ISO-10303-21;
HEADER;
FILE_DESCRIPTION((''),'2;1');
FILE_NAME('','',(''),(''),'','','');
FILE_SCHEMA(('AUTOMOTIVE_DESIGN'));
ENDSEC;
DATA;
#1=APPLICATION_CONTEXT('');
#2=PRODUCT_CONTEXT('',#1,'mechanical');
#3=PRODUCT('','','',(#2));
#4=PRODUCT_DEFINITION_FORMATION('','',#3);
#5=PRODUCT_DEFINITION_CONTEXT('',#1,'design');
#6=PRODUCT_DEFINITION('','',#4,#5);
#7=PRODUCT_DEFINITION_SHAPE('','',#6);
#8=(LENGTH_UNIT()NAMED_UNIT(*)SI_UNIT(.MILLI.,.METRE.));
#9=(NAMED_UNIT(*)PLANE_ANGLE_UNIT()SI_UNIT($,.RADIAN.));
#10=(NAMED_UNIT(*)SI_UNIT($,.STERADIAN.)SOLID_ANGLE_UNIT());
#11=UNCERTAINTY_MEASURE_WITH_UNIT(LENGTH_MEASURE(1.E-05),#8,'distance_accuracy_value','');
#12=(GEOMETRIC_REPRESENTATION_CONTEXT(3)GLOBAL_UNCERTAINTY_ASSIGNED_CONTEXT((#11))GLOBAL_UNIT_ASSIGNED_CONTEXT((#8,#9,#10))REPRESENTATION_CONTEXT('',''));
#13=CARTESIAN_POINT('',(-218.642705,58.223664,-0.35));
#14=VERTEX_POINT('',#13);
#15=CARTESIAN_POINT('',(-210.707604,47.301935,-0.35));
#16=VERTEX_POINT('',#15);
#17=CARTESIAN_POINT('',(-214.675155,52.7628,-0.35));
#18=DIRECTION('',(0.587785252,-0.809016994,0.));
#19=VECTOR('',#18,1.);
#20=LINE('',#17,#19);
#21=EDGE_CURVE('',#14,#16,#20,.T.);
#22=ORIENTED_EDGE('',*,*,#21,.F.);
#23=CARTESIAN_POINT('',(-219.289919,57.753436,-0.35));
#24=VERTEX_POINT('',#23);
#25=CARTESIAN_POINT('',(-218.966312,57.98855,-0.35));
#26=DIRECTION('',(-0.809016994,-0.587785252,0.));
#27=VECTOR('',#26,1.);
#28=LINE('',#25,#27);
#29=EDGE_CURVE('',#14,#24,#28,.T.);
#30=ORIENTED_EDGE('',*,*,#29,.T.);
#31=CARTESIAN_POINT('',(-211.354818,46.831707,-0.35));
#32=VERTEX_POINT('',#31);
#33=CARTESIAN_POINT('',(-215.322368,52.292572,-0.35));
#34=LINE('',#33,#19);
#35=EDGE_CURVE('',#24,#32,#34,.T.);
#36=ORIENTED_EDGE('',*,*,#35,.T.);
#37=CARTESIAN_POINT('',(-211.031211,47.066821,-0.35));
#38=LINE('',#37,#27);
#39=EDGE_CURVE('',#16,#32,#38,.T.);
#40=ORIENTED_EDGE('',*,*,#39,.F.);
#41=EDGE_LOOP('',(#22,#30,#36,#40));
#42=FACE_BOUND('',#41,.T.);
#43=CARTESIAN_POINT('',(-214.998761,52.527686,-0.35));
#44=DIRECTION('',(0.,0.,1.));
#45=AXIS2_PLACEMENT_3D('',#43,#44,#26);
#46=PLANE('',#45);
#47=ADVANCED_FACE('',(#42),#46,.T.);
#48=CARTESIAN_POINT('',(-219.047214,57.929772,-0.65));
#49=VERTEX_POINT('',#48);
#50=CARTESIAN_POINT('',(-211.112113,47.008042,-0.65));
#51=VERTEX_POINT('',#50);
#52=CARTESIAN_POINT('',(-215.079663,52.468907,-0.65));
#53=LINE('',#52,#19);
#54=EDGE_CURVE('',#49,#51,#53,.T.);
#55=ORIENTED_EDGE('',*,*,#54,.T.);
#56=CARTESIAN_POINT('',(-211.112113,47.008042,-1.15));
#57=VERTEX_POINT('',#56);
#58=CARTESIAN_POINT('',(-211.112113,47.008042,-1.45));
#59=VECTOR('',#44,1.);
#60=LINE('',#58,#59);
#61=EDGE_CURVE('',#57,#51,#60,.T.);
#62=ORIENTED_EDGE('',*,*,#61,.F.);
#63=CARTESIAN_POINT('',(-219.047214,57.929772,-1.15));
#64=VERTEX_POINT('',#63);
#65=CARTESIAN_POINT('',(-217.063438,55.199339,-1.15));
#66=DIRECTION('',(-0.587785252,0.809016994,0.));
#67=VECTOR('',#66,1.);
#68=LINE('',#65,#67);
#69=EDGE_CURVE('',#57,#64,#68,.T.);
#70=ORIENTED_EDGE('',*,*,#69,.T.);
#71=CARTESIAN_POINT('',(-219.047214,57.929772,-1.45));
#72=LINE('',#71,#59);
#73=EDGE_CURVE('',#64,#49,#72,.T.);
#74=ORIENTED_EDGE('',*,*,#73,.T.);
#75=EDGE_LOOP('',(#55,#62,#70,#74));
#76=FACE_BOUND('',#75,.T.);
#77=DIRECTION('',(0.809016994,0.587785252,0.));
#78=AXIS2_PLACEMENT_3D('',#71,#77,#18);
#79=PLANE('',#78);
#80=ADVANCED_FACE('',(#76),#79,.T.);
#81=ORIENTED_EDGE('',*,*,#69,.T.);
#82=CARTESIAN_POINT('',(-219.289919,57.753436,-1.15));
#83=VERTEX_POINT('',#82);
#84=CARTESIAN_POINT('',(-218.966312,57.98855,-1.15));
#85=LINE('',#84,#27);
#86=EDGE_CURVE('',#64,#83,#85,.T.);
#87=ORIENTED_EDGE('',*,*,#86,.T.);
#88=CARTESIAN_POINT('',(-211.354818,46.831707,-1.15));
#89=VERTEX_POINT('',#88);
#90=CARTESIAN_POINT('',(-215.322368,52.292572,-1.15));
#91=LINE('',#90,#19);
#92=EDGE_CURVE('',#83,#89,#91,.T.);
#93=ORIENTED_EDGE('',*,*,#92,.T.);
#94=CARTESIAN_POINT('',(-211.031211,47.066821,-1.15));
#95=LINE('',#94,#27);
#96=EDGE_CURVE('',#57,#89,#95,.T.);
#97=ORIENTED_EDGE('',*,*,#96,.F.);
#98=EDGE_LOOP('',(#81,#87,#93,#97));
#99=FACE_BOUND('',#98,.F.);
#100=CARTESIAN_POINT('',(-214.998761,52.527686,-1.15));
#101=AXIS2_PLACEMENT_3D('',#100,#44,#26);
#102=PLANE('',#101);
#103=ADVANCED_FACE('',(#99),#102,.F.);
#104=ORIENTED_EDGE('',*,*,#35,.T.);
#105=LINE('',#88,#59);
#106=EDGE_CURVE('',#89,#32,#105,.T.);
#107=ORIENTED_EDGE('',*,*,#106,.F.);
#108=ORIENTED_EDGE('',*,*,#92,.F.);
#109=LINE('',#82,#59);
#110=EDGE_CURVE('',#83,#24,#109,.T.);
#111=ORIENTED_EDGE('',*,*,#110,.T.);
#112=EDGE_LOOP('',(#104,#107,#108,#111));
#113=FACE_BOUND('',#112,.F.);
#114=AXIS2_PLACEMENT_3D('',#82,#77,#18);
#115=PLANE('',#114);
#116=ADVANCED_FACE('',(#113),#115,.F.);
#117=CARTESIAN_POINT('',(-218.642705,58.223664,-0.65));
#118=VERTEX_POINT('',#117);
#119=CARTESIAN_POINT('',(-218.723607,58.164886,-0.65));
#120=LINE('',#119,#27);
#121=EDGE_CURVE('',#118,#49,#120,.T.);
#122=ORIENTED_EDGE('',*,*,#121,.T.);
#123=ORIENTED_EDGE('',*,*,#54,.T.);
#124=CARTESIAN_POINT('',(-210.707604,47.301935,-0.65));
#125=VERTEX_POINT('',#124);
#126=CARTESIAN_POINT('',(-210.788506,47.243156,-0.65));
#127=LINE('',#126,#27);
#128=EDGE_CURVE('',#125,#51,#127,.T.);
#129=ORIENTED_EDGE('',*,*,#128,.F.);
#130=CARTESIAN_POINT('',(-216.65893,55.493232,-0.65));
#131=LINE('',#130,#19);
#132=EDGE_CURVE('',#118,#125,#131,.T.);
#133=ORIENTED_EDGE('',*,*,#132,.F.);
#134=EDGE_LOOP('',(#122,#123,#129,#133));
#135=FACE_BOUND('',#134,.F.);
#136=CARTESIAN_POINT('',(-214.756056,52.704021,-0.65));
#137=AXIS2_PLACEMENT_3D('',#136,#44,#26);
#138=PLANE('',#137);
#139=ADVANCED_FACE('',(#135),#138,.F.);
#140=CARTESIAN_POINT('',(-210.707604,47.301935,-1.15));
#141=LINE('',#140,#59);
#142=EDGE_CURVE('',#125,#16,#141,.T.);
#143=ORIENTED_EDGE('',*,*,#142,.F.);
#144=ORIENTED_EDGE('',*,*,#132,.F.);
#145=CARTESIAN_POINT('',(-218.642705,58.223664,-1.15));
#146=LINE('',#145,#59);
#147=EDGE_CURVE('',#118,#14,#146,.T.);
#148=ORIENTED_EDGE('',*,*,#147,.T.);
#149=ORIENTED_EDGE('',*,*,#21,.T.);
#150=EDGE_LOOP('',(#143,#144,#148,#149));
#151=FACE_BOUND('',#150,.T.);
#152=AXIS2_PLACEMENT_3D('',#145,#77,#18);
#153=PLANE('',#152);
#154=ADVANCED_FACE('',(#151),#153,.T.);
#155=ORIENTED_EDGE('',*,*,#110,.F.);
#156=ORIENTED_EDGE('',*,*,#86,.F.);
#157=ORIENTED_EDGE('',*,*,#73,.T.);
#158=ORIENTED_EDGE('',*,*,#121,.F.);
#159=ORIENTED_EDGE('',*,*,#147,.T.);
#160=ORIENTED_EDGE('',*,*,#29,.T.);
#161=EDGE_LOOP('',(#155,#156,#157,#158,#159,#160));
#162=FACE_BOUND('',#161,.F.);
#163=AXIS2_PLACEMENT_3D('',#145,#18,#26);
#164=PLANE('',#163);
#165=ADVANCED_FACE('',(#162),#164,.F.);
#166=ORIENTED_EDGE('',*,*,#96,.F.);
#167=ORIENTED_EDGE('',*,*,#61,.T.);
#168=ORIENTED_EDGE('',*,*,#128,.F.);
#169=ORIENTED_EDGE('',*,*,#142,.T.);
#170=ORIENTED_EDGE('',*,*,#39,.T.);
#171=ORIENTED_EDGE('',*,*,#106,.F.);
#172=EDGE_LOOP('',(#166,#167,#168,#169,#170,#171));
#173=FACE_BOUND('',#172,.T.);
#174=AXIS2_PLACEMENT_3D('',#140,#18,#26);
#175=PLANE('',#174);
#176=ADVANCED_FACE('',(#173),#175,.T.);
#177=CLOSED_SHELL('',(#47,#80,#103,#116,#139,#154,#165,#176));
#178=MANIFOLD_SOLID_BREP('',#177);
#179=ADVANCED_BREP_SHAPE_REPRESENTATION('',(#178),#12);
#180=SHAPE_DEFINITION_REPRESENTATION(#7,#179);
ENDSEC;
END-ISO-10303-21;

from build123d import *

# Parameters (mm, degrees)
BOX157_W               = 0.8
BOX157_H               = 13.5
BOX157_DEPTH           = 0.8
BOX158_W               = 0.8
BOX158_H               = 13.5
BOX158_DEPTH           = 0.8
CUT082_PLACEMENT_ANGLE = 216


with BuildPart() as cubo157:
    # Box157 → Box157 (new body)
    with BuildSketch(Plane.XY):
        with Locations((0.4, 6.75)):
            Rectangle(BOX157_W, BOX157_H)
    extrude(amount=BOX157_DEPTH)


with BuildPart() as perfil_l_2da_cara024:
    # Box158 → Box158 (new body)
    with BuildSketch(Plane(origin=(0.3, 0, 0.3), x_dir=(1, 0, 0), z_dir=(0, 0, 1))):
        with Locations((0.4, 6.75)):
            Rectangle(BOX158_W, BOX158_H)
    extrude(amount=BOX158_DEPTH)

    # Cut082: cut Cubo157
    add(cubo157.part, mode=Mode.SUBTRACT)


with BuildPart() as perfil_l_2da_cara024_1:
    # Cut082 placement: moved
    add(perfil_l_2da_cara024.part.moved(Location((-218.4, 58.4, -1.45))).rotate(Axis((-218.4, 58.4, -1.45), (0, 0, 1)), CUT082_PLACEMENT_ANGLE))


solid = perfil_l_2da_cara024_1.part
